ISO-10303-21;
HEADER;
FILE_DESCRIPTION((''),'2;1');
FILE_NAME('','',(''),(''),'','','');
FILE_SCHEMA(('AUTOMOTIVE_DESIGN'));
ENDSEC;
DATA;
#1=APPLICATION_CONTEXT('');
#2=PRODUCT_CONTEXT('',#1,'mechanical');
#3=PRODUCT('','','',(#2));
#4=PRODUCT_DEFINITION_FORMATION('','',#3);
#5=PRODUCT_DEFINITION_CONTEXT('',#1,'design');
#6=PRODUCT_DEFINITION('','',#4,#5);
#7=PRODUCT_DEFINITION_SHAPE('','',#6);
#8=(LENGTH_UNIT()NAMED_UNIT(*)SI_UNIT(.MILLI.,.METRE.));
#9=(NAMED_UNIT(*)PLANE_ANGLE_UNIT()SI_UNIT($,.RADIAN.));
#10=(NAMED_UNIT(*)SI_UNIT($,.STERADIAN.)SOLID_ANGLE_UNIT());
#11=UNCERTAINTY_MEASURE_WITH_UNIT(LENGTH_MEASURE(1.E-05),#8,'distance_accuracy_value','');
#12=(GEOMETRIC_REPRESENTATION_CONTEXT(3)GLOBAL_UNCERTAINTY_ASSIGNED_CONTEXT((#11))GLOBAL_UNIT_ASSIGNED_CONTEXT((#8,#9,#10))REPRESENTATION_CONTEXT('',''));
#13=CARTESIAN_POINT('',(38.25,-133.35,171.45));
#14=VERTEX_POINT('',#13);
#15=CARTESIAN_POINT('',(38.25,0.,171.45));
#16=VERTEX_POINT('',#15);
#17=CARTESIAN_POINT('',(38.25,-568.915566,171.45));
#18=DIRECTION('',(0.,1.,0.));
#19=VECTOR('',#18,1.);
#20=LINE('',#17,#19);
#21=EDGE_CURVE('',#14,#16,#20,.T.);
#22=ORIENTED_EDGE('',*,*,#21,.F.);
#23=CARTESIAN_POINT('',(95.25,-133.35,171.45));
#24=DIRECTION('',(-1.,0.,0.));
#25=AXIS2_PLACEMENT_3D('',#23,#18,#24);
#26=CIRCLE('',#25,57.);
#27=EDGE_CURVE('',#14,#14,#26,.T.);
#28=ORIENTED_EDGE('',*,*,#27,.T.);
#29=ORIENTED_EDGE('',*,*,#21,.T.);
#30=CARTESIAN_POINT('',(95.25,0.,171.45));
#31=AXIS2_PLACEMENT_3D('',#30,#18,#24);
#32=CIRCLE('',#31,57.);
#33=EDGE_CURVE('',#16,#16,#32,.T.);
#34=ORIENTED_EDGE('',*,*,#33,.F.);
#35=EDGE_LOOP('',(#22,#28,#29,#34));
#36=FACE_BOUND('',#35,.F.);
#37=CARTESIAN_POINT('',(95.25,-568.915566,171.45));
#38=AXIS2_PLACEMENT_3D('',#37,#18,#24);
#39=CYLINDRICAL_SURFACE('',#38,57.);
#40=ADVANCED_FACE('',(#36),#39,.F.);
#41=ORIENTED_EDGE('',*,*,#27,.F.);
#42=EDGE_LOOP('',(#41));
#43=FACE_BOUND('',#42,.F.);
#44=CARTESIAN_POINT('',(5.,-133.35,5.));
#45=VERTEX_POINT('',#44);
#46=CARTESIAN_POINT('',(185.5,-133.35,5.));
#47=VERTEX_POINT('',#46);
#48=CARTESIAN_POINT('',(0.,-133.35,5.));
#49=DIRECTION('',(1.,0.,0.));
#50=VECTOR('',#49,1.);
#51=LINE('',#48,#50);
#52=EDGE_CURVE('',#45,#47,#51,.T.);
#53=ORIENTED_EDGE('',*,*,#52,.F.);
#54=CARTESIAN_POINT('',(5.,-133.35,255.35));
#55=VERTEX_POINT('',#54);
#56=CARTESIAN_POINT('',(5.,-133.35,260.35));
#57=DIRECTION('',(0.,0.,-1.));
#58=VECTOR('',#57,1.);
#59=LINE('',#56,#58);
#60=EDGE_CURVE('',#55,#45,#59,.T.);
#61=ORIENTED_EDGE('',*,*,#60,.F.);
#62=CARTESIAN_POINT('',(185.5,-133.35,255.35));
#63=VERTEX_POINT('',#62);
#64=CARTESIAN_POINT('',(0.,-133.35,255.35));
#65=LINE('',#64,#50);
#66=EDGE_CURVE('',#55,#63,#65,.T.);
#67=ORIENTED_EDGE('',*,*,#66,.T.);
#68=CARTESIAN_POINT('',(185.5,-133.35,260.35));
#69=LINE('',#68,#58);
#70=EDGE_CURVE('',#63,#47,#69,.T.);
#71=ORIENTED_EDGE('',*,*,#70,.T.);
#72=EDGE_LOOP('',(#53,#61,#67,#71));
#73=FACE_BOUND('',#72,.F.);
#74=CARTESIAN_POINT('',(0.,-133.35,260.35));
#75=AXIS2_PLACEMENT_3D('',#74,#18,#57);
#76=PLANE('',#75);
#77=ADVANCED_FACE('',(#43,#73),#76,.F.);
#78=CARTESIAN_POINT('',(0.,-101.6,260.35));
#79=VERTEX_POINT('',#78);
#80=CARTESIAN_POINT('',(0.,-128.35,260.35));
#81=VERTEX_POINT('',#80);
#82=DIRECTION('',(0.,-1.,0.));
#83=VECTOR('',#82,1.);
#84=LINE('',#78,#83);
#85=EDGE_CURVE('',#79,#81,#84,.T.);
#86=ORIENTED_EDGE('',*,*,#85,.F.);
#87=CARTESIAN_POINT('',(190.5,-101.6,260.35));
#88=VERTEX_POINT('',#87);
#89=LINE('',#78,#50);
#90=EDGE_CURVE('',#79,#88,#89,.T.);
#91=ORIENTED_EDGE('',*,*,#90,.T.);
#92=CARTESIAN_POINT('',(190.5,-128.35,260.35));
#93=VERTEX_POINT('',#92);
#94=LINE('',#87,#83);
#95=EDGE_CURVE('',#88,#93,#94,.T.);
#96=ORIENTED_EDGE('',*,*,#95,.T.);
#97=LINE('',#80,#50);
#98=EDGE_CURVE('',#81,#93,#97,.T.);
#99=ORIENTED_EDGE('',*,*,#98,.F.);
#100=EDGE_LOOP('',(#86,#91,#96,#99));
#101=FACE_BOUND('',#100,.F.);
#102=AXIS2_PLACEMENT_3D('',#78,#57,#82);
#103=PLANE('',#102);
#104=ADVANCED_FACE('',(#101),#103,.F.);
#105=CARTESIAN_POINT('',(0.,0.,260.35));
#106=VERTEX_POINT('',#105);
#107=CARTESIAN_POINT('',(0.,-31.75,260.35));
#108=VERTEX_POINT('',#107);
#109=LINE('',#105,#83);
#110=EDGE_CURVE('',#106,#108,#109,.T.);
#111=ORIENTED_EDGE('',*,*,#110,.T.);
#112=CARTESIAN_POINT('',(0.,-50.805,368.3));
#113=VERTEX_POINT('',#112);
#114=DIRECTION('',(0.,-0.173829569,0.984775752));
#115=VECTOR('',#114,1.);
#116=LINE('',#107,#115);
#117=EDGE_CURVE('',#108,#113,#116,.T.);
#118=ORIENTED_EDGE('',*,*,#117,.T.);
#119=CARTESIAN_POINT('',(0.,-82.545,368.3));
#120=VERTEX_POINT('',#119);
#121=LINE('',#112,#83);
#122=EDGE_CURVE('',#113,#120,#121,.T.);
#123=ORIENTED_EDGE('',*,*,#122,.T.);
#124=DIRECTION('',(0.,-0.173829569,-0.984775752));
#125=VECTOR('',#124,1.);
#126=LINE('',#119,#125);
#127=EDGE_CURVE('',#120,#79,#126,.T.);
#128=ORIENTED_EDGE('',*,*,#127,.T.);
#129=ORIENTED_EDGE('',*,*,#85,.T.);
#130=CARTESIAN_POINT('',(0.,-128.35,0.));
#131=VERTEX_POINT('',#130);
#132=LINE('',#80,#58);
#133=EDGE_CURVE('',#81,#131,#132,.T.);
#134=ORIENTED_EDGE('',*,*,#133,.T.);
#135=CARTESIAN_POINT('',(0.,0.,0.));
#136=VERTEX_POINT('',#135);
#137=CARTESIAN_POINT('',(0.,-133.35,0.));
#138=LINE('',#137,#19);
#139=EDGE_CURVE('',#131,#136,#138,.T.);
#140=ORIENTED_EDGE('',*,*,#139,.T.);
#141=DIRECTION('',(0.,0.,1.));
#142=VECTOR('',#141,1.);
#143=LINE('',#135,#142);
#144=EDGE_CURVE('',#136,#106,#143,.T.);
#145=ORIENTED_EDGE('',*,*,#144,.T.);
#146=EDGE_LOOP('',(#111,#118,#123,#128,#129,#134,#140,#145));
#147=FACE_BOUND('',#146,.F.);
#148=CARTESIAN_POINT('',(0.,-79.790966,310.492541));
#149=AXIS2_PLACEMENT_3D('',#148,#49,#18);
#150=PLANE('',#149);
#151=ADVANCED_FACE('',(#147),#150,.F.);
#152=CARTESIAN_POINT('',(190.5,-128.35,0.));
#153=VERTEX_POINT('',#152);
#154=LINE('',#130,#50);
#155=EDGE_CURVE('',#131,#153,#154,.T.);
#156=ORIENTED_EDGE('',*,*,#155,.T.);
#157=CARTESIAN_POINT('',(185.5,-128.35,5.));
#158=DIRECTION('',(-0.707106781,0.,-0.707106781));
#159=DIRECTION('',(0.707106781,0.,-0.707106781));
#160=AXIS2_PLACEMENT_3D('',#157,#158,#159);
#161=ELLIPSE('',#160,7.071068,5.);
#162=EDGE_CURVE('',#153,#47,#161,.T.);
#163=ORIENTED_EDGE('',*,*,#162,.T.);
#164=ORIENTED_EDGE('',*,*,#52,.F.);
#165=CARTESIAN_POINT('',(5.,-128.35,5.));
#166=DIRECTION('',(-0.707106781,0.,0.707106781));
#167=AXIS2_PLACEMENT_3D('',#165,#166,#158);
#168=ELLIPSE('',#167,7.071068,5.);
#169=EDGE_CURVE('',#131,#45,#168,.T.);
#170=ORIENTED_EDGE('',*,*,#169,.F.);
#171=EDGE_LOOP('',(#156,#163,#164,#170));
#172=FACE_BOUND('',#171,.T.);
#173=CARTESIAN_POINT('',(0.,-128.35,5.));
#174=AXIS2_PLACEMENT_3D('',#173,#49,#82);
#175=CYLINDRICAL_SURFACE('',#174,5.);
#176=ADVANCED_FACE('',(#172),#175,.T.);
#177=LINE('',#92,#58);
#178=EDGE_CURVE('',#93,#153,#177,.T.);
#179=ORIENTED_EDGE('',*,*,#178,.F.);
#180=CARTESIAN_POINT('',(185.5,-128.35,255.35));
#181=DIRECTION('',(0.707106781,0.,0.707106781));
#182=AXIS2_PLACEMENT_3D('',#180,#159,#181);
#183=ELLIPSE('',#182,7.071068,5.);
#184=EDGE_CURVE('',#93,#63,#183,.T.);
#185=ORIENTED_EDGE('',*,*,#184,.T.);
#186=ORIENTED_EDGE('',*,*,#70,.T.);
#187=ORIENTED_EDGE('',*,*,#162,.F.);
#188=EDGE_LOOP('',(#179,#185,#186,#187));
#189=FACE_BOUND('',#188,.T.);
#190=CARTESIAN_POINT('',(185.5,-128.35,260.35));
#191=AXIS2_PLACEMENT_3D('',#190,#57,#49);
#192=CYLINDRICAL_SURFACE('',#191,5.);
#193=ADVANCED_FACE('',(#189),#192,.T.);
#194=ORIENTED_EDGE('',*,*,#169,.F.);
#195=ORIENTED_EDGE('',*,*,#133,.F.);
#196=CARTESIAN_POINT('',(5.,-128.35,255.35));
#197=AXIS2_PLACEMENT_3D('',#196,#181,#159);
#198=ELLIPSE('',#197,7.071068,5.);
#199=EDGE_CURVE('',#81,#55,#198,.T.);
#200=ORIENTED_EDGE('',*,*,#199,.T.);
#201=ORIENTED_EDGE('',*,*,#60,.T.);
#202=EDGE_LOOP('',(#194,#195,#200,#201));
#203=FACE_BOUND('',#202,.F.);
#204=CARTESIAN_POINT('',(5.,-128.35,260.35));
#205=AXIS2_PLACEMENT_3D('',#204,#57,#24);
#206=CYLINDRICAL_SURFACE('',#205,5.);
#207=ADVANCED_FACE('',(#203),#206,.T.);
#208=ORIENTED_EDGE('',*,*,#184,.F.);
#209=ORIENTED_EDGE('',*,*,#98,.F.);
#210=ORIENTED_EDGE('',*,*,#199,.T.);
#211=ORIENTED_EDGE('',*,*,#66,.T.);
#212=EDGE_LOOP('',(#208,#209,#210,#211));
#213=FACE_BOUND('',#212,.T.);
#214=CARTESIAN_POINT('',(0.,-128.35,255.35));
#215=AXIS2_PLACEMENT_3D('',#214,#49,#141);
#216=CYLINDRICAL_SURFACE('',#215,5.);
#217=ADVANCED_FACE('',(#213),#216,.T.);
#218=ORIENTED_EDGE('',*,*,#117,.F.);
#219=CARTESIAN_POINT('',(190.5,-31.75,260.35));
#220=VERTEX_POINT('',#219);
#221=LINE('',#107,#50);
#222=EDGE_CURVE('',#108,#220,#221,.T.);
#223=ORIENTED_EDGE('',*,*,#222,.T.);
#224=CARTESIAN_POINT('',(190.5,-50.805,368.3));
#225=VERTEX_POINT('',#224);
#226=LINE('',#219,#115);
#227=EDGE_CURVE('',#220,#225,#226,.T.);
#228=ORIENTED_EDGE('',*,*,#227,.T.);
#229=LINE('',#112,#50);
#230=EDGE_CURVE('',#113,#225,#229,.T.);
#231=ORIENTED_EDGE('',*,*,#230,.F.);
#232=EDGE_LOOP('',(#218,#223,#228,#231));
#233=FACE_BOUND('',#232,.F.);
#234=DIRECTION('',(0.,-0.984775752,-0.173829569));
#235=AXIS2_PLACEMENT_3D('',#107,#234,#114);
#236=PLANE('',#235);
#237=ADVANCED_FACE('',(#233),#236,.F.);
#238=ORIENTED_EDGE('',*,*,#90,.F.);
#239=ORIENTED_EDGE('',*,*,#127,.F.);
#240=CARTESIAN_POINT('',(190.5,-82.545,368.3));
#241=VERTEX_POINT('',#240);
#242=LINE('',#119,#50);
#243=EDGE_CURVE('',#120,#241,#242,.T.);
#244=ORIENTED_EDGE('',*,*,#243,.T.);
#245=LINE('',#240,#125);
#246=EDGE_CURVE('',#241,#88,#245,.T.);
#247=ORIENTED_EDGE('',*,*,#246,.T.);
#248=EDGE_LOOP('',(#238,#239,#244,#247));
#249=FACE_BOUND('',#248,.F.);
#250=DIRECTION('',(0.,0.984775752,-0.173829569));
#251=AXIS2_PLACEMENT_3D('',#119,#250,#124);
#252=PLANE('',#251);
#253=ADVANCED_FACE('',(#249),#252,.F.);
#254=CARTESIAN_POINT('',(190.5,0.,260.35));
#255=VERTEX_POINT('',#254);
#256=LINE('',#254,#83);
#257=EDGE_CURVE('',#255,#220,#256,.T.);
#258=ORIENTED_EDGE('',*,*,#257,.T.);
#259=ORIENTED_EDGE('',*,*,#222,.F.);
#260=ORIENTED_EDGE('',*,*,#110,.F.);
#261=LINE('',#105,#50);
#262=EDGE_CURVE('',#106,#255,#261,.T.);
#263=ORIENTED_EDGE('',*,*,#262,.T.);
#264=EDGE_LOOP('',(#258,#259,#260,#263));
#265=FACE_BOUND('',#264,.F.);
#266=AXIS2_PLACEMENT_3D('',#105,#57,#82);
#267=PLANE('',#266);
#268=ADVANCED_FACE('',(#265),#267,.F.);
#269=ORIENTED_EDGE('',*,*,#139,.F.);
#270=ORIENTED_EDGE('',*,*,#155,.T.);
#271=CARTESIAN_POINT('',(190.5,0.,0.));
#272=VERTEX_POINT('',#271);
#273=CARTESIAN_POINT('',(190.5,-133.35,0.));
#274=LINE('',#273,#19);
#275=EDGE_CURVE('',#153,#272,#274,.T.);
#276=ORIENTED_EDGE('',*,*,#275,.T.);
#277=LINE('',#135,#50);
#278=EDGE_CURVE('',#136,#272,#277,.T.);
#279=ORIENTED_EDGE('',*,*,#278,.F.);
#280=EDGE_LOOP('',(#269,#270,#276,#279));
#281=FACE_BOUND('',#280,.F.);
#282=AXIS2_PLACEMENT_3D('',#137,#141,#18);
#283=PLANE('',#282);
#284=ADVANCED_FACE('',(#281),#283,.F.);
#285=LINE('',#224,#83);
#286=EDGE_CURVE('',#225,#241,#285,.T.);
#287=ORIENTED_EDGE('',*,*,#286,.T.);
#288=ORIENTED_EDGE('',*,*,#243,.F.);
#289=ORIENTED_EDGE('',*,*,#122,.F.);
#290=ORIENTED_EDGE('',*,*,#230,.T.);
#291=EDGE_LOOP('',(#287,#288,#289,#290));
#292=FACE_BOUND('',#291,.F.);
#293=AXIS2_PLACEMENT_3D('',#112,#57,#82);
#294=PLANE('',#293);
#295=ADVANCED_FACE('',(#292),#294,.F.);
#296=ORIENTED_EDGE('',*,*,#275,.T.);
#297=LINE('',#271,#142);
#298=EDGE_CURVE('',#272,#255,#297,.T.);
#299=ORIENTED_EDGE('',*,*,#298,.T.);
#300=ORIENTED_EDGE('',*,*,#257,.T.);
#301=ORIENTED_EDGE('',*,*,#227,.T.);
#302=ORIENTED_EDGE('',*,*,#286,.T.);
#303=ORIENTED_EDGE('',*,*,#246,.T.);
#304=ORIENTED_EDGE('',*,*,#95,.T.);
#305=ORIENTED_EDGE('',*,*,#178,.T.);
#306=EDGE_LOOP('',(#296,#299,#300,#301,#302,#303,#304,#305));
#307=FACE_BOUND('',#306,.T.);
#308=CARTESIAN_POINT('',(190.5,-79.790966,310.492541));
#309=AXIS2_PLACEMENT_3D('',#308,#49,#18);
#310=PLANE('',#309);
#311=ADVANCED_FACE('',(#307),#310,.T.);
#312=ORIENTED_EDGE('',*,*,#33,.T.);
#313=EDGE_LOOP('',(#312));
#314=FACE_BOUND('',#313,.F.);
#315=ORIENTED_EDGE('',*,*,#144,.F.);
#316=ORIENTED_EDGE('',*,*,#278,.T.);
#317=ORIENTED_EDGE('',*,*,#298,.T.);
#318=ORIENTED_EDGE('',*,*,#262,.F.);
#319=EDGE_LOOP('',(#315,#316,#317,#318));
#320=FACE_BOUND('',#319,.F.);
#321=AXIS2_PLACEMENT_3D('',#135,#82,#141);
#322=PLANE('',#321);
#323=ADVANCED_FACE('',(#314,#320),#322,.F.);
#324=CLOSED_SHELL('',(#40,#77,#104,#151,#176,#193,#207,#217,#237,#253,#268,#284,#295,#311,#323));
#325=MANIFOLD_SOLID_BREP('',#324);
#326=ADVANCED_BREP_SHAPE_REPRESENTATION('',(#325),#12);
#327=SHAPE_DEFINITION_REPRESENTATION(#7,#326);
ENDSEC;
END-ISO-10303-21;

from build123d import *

# Parameters (mm, degrees)
F1_DEPTH = 190.5
F3_D     = 114
F4_DEPTH = 2
F5_R     = 5


with BuildPart() as f1:
    # F0 (on Right) → F1 (new body)
    with BuildSketch(Plane.YZ):
        Polygon((-82.545, 368.3), (-101.6, 260.35), (-66.675, 260.35), (-66.675, 368.3), align=None)
        Polygon((-66.675, 260.35), (-31.75, 260.35), (-50.805, 368.3), (-66.675, 368.3), align=None)
        Polygon((-133.35, 0), (0, 0), (0, 260.35), (-31.75, 260.35), (-66.675, 260.35), (-101.6, 260.35), (-133.35, 260.35), align=None)
    extrude(amount=F1_DEPTH)

    # F3 (through all)
    with Locations(Plane.XZ.offset(133.35)):
        with Locations((95.25, 171.45)):
            Hole(F3_D / 2)

    # F2 (on face) → F4 (join)
    with BuildSketch(Plane.XZ.offset(133.35)):
        Polygon((133.25, 76.3), (95.25, 76.3), (57.25, 76.3), (57.25, 32.3), (133.25, 32.3), align=None)
    extrude(amount=-F4_DEPTH)

    # F5
    f5_edges = [f1.edges().sort_by_distance(p)[0] for p in [
        (0, -133.35, 130.175),
        (95.25, -133.35, 260.35),
        (190.5, -133.35, 130.175),
        (95.25, -133.35, 0),
    ]]
    fillet(f5_edges, radius=F5_R)


solid = f1.part
